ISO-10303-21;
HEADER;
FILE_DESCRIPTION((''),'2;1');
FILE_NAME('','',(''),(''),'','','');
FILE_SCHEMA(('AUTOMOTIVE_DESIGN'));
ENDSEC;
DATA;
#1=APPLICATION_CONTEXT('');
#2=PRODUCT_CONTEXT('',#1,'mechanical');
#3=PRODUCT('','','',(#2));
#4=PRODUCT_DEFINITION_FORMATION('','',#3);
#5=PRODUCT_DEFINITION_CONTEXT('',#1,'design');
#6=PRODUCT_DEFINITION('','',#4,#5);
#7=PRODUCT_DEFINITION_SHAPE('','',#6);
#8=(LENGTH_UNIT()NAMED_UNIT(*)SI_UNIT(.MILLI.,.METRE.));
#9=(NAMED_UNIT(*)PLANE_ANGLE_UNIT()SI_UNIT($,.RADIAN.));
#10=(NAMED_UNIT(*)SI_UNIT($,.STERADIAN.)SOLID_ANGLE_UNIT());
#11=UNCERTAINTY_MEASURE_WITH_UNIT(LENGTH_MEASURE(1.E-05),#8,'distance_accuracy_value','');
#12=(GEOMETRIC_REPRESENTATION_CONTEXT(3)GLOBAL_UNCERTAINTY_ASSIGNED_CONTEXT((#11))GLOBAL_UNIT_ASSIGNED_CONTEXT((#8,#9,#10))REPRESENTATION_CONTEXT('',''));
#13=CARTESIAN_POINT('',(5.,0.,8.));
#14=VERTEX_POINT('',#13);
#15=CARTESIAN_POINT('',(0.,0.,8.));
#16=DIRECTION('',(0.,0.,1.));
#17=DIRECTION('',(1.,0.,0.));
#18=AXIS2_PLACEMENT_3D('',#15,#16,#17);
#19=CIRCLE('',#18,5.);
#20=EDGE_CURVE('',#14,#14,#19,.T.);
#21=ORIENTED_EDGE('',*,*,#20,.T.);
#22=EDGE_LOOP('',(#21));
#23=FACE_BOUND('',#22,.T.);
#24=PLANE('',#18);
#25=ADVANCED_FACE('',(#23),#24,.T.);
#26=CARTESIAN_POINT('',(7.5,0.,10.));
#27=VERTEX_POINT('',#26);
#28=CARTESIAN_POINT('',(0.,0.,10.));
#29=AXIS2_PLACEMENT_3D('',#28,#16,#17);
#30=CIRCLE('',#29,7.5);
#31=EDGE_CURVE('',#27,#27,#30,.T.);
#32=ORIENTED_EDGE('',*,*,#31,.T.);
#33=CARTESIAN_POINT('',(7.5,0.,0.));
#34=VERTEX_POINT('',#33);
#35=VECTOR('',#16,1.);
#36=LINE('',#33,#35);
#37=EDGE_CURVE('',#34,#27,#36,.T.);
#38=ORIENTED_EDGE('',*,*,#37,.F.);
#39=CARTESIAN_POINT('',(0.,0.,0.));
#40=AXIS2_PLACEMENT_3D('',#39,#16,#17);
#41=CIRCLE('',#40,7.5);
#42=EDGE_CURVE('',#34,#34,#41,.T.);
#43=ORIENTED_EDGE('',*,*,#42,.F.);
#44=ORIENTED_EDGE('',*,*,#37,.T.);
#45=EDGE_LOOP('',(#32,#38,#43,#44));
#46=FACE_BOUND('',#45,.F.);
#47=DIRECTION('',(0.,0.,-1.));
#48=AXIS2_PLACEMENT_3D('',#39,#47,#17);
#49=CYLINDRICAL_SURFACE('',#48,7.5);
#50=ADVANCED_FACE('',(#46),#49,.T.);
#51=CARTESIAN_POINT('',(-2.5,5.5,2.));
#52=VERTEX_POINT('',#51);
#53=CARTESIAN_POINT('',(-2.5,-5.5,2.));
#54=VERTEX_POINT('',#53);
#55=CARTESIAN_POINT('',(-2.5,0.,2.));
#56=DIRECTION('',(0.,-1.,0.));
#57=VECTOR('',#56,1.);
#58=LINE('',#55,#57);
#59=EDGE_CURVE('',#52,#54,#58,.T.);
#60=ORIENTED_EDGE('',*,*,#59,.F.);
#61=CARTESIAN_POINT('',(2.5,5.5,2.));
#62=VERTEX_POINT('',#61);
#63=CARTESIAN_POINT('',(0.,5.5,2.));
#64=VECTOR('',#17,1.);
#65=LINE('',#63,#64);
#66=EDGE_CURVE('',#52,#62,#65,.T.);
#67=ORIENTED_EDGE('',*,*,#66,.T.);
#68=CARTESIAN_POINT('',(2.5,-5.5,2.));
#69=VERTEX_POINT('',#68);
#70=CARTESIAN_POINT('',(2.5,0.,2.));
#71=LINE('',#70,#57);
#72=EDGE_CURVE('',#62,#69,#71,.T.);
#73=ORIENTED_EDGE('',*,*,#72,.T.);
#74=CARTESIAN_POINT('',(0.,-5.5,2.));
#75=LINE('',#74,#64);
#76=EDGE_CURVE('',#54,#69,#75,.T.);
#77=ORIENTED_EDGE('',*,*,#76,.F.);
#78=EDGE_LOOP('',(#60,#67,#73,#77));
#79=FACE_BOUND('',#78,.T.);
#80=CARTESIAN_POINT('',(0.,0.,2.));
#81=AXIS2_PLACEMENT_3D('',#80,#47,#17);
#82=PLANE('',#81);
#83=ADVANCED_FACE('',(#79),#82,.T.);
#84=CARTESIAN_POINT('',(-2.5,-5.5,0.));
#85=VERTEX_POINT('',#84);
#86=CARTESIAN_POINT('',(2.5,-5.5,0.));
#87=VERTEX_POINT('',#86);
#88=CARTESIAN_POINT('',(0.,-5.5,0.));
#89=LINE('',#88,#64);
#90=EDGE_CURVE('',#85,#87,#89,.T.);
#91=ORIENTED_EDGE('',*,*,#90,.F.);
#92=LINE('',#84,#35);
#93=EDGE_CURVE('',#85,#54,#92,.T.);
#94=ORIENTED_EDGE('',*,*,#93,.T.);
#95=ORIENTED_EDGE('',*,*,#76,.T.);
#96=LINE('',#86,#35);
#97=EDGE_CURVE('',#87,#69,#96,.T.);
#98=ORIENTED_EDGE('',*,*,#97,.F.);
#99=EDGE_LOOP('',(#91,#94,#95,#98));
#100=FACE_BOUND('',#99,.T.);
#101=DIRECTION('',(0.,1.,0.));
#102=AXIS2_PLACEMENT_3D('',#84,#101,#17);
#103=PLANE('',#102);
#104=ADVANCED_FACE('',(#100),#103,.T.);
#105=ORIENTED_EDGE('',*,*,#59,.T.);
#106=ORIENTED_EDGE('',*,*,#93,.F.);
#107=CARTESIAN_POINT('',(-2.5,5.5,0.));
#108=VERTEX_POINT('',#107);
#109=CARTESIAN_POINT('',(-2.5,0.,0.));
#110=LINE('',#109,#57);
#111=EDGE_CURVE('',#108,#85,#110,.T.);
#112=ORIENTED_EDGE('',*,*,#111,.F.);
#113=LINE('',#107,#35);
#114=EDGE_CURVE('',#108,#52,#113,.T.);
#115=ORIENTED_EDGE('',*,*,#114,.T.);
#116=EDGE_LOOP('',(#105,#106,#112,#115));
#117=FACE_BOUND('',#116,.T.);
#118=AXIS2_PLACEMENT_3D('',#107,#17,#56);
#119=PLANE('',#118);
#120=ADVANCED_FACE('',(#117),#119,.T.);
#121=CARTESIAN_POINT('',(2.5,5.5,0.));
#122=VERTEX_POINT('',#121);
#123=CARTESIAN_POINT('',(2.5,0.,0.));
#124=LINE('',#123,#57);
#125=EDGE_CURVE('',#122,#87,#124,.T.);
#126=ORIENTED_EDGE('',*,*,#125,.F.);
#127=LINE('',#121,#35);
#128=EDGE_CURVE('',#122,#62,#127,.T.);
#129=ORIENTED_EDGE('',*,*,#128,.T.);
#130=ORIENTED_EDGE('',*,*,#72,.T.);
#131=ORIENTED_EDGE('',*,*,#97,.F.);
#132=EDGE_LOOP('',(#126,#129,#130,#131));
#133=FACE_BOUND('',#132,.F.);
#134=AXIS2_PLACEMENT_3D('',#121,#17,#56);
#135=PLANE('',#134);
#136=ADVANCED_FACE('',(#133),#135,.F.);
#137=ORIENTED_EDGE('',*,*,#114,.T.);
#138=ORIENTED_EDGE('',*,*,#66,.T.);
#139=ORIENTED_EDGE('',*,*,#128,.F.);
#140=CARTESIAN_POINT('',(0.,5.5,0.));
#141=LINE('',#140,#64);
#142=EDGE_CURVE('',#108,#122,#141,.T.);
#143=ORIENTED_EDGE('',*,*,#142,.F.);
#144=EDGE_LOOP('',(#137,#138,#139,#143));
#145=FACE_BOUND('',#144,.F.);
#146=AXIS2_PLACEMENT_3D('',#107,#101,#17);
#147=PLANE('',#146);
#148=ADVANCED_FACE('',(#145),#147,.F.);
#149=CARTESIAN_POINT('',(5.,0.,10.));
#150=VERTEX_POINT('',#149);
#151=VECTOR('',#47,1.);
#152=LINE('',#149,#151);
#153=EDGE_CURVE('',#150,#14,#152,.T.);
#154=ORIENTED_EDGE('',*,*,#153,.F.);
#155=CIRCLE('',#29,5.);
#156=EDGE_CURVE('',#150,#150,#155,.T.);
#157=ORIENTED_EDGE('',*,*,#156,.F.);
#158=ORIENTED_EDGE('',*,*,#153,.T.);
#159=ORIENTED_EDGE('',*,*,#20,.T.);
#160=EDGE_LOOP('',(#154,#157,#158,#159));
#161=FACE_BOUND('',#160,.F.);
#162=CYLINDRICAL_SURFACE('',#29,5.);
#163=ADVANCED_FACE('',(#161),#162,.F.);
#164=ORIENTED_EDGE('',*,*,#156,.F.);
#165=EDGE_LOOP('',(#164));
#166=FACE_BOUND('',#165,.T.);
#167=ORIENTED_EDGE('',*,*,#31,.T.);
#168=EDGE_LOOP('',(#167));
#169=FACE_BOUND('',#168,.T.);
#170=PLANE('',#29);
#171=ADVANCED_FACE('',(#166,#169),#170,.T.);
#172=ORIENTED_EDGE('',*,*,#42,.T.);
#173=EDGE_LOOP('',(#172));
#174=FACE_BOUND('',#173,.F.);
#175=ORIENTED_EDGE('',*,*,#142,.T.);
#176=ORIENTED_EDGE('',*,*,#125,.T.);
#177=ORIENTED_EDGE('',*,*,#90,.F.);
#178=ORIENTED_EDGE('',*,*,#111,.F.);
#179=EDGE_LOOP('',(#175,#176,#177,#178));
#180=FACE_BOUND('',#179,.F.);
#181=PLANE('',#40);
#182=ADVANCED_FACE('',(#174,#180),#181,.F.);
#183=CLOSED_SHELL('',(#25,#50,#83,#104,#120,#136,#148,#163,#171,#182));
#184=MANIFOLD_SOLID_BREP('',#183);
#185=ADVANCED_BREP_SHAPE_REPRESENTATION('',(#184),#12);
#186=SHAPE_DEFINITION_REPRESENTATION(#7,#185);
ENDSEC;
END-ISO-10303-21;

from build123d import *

# Parameters (mm, degrees)
SKETCH_R        = 7.5
PAD_DEPTH       = 10
SKETCH001_W     = 5
SKETCH001_H     = 11
POCKET_DEPTH    = 2
SKETCH002_R     = 5
POCKET001_DEPTH = 2


with BuildPart() as part:
    # Sketch → Pad (new body)
    with BuildSketch(Plane.XY):
        Circle(SKETCH_R)
    extrude(amount=PAD_DEPTH)

    # Sketch001 (on Face2 of Pad) → Pocket (cut)
    with BuildSketch(Plane(origin=(0, 0, 0), x_dir=(1, 0, 0), z_dir=(0, 0, -1))):
        Rectangle(SKETCH001_W, SKETCH001_H)
    extrude(amount=-POCKET_DEPTH, mode=Mode.SUBTRACT)

    # Sketch002 (on Face3 of Pocket) → Pocket001 (cut)
    with BuildSketch(Plane.XY.offset(10)):
        Circle(SKETCH002_R)
    extrude(amount=-POCKET001_DEPTH, mode=Mode.SUBTRACT)


solid = part.part
